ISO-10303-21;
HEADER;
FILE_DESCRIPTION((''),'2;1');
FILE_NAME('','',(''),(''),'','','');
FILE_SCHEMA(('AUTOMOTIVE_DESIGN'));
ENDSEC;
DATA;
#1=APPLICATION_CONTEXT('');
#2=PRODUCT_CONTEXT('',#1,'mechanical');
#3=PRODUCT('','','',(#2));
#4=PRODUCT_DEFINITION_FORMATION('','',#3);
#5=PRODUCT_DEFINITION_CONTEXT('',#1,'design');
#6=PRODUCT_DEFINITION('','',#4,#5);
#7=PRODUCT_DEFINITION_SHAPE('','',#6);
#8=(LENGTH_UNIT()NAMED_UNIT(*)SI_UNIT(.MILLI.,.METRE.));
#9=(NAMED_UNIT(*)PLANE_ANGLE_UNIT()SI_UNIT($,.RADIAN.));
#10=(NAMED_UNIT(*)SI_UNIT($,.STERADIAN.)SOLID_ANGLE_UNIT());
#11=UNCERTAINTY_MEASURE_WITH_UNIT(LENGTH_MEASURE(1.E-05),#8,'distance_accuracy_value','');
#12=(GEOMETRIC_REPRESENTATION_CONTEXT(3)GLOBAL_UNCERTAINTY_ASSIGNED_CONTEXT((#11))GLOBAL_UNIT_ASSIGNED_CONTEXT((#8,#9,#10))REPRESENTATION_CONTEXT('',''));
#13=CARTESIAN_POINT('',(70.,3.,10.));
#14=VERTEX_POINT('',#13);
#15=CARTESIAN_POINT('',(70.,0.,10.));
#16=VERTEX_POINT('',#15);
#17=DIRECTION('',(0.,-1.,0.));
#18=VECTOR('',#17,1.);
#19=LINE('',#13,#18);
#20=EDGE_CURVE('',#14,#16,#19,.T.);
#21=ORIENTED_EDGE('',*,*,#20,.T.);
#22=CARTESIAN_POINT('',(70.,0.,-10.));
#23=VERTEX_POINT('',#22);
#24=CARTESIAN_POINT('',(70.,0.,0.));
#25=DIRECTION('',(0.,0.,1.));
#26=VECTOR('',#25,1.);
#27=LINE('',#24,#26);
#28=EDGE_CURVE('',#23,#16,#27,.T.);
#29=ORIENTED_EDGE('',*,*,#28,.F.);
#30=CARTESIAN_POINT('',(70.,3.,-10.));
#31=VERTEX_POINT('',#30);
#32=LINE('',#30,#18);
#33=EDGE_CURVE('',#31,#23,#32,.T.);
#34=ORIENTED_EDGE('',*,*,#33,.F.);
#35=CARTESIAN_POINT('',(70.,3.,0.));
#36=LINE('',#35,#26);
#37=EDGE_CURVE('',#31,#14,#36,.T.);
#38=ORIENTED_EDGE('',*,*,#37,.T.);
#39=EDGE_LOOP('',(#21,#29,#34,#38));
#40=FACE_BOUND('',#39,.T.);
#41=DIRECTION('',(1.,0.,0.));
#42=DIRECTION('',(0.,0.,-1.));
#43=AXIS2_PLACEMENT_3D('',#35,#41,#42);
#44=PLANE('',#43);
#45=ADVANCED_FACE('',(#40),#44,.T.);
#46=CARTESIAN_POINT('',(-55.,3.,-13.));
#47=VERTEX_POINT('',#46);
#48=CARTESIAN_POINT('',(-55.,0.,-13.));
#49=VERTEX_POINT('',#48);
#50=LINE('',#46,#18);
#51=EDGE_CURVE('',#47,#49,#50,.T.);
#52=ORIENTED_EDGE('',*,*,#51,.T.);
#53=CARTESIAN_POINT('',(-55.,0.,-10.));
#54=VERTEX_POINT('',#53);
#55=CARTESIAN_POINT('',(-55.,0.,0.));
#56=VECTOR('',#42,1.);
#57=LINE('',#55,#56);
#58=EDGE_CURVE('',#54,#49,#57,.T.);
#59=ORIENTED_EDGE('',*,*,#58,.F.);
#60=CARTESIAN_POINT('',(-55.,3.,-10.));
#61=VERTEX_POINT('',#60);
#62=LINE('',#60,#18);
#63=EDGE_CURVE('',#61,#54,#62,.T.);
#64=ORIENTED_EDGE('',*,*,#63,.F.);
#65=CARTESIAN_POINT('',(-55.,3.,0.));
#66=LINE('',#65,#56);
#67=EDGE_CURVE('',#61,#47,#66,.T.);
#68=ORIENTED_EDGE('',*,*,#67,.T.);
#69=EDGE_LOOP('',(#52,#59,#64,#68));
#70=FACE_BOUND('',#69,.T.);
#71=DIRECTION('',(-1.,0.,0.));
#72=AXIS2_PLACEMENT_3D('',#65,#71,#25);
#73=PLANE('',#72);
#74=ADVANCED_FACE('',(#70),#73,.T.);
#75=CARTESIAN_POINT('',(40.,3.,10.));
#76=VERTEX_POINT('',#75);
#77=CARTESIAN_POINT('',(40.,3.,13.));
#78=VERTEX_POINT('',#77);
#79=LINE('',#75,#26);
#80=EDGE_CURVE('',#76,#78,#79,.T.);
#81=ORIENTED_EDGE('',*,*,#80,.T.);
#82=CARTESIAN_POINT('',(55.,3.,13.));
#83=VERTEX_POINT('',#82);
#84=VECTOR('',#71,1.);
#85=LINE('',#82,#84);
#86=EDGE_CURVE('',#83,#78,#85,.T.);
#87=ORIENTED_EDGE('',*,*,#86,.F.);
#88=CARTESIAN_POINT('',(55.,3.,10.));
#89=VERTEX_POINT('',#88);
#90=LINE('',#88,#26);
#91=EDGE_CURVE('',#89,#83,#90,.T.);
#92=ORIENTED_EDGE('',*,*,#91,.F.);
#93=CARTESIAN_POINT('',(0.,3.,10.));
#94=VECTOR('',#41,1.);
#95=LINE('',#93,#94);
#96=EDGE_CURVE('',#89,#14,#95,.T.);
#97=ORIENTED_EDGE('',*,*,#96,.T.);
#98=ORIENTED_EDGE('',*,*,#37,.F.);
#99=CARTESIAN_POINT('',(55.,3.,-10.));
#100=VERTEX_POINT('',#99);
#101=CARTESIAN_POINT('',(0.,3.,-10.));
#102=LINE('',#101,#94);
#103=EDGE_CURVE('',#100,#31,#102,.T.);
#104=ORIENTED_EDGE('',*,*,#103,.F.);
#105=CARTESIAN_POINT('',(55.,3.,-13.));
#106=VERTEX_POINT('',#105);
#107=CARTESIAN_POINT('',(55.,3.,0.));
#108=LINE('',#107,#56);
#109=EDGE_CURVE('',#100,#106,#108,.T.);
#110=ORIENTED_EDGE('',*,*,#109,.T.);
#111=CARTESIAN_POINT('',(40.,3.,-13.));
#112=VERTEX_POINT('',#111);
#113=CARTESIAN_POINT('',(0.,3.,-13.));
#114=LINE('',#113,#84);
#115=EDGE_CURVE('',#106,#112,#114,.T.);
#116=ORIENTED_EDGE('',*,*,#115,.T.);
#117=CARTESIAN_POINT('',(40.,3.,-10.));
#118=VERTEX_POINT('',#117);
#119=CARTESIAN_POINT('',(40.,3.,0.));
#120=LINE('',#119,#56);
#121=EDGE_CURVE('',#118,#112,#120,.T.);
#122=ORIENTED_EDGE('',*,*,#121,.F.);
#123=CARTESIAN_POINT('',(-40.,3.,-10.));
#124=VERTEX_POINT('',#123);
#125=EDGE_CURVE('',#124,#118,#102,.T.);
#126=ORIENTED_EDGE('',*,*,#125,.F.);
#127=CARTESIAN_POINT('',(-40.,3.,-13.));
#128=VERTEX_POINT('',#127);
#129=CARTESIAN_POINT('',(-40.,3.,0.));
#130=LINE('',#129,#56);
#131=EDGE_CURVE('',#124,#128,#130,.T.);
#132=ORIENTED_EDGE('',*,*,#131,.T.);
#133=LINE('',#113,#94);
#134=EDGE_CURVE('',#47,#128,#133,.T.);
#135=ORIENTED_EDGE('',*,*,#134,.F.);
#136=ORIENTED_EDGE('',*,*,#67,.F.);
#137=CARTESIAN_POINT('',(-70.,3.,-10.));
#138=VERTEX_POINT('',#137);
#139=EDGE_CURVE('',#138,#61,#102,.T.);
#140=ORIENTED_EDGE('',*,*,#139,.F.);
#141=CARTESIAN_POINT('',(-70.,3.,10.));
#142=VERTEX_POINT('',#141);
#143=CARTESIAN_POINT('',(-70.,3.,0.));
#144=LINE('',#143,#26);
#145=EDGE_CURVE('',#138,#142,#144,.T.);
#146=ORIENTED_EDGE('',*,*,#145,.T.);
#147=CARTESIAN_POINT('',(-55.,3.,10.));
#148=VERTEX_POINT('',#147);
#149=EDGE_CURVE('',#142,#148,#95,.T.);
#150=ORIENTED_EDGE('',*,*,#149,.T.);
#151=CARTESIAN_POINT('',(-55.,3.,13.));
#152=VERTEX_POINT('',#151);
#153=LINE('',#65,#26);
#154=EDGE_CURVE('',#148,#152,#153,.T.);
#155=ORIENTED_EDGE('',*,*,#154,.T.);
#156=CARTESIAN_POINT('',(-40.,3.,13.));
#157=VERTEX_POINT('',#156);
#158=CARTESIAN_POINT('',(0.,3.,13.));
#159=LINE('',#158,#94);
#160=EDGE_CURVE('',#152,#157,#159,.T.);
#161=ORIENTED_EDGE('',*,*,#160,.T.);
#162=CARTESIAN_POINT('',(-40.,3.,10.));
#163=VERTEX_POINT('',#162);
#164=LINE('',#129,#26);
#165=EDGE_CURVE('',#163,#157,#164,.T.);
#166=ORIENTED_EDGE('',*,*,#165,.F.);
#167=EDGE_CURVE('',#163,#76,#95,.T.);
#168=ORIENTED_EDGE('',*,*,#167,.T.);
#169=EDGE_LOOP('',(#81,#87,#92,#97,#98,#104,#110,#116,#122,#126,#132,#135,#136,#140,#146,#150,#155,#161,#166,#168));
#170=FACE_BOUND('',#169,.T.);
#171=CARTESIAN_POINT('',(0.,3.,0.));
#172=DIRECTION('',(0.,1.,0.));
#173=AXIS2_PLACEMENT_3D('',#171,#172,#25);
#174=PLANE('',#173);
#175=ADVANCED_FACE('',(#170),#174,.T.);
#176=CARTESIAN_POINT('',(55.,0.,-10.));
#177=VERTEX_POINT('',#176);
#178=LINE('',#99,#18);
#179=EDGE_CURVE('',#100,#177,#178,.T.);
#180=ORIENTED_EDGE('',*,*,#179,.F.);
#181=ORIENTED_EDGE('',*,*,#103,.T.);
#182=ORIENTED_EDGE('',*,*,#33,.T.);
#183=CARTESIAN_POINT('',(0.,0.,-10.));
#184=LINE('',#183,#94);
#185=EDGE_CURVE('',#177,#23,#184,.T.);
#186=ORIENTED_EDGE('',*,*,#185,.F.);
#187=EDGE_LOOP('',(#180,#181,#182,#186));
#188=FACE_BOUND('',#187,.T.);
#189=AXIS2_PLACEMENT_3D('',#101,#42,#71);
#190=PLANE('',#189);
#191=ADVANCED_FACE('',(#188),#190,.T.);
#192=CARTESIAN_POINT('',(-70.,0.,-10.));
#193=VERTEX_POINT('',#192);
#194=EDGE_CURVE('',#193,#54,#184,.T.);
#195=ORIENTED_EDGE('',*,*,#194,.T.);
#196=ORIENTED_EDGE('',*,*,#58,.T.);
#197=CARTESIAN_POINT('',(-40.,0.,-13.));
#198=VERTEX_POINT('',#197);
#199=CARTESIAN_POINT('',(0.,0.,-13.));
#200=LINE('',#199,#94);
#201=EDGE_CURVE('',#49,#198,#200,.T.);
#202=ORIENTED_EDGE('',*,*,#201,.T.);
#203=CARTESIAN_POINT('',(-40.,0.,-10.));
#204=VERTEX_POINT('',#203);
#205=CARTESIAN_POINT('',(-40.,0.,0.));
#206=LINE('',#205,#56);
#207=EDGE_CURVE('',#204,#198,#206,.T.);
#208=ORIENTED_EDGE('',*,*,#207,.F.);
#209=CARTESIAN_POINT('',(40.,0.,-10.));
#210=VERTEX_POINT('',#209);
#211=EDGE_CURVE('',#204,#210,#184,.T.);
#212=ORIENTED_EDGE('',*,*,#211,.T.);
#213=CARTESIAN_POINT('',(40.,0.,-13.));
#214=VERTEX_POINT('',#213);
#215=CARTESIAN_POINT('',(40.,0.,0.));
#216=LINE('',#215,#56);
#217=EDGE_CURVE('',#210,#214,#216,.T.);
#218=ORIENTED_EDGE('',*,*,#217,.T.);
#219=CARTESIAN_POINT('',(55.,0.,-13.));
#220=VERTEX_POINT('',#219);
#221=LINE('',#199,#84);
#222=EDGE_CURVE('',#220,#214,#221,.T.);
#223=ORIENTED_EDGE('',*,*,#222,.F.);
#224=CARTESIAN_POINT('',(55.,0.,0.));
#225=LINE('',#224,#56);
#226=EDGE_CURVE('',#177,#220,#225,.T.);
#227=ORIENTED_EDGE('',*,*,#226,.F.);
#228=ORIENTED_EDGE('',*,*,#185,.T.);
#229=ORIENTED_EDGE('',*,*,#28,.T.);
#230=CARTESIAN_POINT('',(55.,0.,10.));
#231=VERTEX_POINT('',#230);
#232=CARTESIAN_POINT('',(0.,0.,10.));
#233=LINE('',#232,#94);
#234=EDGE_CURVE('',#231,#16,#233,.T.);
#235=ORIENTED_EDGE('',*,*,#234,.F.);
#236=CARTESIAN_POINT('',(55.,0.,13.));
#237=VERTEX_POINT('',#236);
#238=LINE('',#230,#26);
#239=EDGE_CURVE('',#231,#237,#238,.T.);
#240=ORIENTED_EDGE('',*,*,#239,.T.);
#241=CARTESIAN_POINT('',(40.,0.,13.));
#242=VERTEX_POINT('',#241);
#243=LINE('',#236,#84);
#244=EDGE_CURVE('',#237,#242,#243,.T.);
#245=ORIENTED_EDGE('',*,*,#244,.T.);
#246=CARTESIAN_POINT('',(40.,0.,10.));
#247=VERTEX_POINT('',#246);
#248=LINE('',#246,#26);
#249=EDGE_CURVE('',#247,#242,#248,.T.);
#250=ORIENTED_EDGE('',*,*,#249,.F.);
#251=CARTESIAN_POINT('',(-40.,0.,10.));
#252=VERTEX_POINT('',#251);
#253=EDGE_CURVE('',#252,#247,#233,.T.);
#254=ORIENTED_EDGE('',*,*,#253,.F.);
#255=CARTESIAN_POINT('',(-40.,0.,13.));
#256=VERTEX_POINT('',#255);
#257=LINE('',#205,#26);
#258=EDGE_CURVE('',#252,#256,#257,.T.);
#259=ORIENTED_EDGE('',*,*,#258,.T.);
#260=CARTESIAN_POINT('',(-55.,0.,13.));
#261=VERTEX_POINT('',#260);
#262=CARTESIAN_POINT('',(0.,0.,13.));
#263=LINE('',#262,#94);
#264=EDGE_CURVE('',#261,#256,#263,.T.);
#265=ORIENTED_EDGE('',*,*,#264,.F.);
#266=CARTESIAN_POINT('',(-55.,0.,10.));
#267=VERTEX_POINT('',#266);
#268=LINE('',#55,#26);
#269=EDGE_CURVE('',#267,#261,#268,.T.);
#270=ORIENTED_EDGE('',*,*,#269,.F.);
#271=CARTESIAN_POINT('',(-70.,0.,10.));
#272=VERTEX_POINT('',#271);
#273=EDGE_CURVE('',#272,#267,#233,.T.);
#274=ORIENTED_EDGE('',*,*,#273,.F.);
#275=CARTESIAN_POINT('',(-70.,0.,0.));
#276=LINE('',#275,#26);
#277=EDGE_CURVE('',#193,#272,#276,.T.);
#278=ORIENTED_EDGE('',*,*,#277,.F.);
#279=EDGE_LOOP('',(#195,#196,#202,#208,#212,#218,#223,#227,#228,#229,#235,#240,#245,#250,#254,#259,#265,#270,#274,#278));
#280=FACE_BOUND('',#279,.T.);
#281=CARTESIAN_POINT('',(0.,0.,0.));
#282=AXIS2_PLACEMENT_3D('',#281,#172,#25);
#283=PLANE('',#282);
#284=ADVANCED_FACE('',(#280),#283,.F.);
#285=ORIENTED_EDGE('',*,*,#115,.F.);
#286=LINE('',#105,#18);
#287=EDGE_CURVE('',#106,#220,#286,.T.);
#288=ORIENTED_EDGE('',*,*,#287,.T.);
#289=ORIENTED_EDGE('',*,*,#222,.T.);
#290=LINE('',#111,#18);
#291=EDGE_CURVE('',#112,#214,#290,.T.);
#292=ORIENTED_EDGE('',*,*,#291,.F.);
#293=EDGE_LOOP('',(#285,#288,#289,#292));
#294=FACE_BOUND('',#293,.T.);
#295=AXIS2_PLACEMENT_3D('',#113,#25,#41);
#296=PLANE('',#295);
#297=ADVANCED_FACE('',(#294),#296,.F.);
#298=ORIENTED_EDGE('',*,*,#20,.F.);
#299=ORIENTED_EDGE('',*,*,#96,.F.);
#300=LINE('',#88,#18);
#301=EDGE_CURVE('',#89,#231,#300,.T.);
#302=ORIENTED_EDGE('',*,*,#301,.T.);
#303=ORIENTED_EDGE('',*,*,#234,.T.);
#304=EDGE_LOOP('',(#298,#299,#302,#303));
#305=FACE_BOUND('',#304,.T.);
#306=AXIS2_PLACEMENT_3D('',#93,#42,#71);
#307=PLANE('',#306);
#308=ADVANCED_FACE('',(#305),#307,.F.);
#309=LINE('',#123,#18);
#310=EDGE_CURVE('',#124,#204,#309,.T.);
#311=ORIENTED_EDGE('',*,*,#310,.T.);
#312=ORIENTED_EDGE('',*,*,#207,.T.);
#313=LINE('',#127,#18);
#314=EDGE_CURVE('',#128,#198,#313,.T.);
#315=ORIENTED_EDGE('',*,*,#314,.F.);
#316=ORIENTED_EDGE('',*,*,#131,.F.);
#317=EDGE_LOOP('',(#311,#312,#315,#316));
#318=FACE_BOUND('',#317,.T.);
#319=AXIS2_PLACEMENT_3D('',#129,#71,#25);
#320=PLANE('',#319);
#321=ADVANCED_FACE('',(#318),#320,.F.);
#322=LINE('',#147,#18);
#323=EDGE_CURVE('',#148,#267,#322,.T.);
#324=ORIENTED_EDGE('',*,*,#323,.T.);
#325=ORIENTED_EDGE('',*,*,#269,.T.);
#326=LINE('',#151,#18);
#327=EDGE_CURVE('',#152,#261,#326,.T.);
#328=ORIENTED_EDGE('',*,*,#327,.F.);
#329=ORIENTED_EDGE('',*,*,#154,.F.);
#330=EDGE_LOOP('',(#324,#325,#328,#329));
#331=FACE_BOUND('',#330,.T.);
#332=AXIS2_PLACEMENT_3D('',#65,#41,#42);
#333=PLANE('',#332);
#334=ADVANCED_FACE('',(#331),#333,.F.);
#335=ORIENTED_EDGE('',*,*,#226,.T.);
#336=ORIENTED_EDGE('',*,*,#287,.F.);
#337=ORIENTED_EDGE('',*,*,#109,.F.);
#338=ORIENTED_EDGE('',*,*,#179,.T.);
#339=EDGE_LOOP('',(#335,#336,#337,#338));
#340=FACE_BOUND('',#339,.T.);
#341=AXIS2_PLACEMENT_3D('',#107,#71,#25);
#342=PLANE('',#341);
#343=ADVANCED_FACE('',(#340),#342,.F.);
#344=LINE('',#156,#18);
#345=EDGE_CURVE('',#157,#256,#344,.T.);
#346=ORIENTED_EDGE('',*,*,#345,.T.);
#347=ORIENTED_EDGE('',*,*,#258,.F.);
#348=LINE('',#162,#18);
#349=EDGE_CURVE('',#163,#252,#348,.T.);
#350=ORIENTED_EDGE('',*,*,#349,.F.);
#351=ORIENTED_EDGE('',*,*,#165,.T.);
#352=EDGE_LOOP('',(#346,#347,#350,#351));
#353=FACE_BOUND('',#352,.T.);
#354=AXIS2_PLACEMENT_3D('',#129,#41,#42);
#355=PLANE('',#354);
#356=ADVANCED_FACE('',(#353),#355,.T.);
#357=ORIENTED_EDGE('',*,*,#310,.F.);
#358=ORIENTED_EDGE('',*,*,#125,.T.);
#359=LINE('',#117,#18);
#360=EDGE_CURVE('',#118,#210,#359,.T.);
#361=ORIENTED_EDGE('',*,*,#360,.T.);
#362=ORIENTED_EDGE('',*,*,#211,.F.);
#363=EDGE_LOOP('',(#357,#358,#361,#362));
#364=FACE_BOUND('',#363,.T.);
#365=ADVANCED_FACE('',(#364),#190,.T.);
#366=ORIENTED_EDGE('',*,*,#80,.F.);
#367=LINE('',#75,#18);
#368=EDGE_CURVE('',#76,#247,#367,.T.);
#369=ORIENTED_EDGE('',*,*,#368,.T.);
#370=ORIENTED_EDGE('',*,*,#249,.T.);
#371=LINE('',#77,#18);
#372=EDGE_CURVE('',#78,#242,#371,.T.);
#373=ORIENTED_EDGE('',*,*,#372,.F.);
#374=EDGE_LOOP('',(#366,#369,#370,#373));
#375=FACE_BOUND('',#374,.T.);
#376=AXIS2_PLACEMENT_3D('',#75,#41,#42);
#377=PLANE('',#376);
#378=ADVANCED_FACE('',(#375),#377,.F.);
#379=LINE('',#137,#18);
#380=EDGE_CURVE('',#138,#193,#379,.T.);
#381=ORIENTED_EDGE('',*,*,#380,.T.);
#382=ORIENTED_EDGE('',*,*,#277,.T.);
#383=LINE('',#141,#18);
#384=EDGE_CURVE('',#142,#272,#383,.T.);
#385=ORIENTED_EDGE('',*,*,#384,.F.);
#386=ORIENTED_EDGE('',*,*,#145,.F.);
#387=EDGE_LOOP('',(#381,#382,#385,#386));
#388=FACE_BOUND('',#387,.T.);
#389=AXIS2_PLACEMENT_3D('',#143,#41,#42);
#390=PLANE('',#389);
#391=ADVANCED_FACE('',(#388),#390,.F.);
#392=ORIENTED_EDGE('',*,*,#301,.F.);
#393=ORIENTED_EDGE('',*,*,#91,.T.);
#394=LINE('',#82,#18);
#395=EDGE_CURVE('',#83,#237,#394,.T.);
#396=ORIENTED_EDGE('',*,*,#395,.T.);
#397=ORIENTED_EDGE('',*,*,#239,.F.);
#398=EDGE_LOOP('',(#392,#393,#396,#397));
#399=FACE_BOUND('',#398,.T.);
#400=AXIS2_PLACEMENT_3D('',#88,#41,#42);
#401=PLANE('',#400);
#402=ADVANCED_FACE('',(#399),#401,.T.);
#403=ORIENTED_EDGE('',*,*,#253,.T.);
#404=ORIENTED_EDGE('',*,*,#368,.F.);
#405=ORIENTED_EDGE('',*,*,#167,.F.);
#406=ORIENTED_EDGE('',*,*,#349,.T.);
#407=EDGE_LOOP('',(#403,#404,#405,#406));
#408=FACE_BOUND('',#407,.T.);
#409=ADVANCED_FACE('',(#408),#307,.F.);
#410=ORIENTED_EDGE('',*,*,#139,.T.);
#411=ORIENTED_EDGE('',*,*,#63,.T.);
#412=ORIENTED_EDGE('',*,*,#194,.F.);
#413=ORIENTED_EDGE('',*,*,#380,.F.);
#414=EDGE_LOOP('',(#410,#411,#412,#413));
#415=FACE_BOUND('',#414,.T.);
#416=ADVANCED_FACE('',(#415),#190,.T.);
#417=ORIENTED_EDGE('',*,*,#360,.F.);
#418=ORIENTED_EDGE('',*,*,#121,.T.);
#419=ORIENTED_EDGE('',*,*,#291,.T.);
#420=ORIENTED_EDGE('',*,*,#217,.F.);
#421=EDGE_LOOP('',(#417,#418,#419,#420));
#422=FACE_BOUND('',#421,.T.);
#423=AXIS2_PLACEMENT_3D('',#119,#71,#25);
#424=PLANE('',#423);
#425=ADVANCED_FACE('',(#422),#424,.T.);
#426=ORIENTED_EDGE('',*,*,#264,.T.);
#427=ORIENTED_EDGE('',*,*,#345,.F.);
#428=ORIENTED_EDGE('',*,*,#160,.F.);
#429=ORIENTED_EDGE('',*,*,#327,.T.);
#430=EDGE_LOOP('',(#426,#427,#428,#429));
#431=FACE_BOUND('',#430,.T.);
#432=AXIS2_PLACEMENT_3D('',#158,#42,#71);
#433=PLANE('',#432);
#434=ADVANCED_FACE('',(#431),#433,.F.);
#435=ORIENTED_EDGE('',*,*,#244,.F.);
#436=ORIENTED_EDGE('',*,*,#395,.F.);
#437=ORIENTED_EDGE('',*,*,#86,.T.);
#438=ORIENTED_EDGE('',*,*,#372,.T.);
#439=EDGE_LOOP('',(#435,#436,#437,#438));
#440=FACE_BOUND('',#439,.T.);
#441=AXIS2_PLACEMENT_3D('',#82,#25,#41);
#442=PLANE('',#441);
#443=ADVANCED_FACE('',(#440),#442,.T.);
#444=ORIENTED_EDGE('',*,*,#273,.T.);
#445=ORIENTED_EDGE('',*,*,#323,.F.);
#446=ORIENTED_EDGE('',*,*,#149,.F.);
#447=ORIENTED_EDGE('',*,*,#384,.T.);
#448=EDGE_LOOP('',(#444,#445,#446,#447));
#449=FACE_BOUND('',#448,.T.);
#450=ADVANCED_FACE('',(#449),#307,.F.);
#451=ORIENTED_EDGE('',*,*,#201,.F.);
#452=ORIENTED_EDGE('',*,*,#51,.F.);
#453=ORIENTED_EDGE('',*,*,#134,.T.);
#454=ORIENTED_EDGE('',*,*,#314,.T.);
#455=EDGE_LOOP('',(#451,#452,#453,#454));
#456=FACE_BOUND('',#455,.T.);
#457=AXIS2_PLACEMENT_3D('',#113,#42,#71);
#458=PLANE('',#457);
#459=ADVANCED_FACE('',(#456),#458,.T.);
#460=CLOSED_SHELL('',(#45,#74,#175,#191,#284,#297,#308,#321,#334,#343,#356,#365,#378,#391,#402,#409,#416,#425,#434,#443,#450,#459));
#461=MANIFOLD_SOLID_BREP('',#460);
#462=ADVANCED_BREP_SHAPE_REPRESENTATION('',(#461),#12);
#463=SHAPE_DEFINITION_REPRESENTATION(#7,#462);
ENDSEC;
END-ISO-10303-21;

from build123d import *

# Parameters (mm, degrees)
SKETCH_1_W      = 140
SKETCH_1_H      = 20
SKETCH_1_W_2    = 15
SKETCH_1_H_2    = 3
EXTRUDE_1_DEPTH = 3


with BuildPart() as part:
    # 草图1 → 凸台-拉伸1 (new body)
    with BuildSketch(Plane(origin=(0, 0, 0), x_dir=(1, 0, 0), z_dir=(0, 1, 0))):
        Rectangle(SKETCH_1_W, SKETCH_1_H)
        with Locations((-47.5, 11.5)):
            Rectangle(SKETCH_1_W_2, SKETCH_1_H_2)
        with Locations((-47.5, -11.5)):
            Rectangle(SKETCH_1_W_2, SKETCH_1_H_2)
        with Locations((47.5, 11.5)):
            Rectangle(SKETCH_1_W_2, SKETCH_1_H_2)
        with Locations((47.5, -11.5)):
            Rectangle(SKETCH_1_W_2, SKETCH_1_H_2)
    extrude(amount=EXTRUDE_1_DEPTH)


solid = part.part
